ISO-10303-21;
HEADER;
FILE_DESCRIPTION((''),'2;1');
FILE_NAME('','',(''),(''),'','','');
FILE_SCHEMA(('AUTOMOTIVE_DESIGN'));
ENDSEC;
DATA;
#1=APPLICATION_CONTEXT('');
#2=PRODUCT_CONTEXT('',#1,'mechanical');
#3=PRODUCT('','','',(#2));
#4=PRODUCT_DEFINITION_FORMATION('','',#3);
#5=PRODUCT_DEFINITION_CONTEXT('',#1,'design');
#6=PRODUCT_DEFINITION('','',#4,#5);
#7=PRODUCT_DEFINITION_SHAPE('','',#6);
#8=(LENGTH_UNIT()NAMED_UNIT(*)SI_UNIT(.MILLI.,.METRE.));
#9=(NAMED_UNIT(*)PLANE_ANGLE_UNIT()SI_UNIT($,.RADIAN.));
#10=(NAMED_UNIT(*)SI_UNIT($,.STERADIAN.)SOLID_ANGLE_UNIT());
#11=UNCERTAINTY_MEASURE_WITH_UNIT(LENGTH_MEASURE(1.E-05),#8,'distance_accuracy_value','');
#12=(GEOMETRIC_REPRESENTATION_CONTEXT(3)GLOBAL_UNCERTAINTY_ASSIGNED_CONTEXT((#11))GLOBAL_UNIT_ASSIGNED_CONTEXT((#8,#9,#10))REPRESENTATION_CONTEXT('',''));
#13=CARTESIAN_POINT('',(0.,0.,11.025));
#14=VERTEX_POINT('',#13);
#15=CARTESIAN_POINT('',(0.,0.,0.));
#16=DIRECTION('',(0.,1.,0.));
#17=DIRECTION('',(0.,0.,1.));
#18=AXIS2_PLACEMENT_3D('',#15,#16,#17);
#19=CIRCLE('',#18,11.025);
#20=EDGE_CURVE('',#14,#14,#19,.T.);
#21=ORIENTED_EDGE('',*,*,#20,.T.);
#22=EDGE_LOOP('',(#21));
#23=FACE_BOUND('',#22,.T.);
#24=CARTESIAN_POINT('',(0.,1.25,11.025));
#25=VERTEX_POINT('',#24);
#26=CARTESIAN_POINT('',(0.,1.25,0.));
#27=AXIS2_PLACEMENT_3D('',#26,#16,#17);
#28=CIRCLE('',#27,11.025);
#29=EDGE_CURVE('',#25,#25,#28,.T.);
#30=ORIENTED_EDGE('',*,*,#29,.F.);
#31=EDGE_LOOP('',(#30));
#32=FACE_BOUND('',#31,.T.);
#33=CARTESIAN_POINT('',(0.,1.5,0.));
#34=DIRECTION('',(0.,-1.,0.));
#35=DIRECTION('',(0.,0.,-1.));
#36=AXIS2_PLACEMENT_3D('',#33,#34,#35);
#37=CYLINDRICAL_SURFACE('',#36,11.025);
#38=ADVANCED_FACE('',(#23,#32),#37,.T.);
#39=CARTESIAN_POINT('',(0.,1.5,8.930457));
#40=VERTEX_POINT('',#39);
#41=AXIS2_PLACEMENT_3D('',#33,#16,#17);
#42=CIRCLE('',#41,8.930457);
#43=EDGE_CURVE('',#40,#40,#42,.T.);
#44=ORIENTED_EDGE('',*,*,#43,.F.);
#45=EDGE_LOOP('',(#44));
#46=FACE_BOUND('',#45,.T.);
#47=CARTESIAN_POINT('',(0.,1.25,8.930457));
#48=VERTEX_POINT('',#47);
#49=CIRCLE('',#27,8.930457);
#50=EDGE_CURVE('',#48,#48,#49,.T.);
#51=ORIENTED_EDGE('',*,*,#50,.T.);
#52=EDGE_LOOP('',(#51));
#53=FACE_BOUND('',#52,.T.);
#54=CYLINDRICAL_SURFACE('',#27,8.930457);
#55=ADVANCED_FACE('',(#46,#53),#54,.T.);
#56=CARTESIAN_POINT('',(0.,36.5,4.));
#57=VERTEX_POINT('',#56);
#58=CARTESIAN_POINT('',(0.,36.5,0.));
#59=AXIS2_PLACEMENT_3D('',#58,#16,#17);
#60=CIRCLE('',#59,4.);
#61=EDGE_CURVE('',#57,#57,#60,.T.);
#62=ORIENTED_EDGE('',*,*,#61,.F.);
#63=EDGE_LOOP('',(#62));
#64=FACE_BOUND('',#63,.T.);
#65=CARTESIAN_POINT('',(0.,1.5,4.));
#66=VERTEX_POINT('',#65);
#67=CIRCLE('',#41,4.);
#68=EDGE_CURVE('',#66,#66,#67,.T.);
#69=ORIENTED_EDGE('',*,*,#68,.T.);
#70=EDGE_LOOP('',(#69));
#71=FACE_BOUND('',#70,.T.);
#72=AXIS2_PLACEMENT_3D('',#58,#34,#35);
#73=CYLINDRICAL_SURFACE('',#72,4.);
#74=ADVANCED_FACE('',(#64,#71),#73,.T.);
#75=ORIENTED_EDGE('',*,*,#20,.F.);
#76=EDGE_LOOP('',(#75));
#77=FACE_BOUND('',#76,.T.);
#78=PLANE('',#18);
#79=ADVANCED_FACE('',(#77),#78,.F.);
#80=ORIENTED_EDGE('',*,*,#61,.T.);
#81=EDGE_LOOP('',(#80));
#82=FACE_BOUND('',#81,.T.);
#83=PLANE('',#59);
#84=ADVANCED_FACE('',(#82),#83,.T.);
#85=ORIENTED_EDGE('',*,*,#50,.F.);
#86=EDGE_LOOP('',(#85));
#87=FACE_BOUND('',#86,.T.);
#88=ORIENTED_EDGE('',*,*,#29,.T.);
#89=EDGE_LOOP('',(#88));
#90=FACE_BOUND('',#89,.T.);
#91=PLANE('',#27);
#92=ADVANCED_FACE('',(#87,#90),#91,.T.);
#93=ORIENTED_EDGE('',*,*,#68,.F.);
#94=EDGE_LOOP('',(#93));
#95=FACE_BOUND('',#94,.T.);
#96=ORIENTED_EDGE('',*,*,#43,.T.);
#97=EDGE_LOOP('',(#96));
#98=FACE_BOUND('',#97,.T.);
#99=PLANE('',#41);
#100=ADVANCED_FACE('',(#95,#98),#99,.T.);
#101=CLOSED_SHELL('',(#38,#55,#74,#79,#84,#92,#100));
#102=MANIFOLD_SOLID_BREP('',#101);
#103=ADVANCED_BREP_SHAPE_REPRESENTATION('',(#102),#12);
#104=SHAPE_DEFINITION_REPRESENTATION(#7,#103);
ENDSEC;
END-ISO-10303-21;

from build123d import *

# Parameters (mm, degrees)
SKETCH1_R           = 11.025
BOSS_EXTRUDE1_DEPTH = 1.5
CUT_EXTRUDE1_START  = -0.25
SKETCH2_R           = 11.025
SKETCH2_R_2         = 8.930457304
CUT_EXTRUDE1_DEPTH  = 0.25
SKETCH3_R           = 4
BOSS_EXTRUDE2_DEPTH = 35


with BuildPart() as part:
    # Sketch1 → Boss-Extrude1 (new body)
    with BuildSketch(Plane(origin=(0, 0, 0), x_dir=(1, 0, 0), z_dir=(0, 1, 0))):
        with Locations(Location((0, 0, 0), (0, 0, 270))):
            Circle(SKETCH1_R)
    extrude(amount=BOSS_EXTRUDE1_DEPTH)

    # Sketch2 → Cut-Extrude1 (cut)
    with BuildSketch(Plane(origin=(0, 1.5, 0), x_dir=(1, 0, 0), z_dir=(0, 1, 0)).offset(CUT_EXTRUDE1_START)):
        with Locations(Location((0, 0, 0), (0, 0, 270))):
            Circle(SKETCH2_R)
        with Locations(Location((0, 0, 0), (0, 0, 270))):
            Circle(SKETCH2_R_2, mode=Mode.SUBTRACT)
    extrude(amount=CUT_EXTRUDE1_DEPTH, mode=Mode.SUBTRACT)

    # Sketch3 → Boss-Extrude2 (add)
    with BuildSketch(Plane(origin=(0, 1.5, 0), x_dir=(1, 0, 0), z_dir=(0, 1, 0))):
        with Locations(Location((0, 0, 0), (0, 0, 270))):
            Circle(SKETCH3_R)
    extrude(amount=BOSS_EXTRUDE2_DEPTH)


solid = part.part
